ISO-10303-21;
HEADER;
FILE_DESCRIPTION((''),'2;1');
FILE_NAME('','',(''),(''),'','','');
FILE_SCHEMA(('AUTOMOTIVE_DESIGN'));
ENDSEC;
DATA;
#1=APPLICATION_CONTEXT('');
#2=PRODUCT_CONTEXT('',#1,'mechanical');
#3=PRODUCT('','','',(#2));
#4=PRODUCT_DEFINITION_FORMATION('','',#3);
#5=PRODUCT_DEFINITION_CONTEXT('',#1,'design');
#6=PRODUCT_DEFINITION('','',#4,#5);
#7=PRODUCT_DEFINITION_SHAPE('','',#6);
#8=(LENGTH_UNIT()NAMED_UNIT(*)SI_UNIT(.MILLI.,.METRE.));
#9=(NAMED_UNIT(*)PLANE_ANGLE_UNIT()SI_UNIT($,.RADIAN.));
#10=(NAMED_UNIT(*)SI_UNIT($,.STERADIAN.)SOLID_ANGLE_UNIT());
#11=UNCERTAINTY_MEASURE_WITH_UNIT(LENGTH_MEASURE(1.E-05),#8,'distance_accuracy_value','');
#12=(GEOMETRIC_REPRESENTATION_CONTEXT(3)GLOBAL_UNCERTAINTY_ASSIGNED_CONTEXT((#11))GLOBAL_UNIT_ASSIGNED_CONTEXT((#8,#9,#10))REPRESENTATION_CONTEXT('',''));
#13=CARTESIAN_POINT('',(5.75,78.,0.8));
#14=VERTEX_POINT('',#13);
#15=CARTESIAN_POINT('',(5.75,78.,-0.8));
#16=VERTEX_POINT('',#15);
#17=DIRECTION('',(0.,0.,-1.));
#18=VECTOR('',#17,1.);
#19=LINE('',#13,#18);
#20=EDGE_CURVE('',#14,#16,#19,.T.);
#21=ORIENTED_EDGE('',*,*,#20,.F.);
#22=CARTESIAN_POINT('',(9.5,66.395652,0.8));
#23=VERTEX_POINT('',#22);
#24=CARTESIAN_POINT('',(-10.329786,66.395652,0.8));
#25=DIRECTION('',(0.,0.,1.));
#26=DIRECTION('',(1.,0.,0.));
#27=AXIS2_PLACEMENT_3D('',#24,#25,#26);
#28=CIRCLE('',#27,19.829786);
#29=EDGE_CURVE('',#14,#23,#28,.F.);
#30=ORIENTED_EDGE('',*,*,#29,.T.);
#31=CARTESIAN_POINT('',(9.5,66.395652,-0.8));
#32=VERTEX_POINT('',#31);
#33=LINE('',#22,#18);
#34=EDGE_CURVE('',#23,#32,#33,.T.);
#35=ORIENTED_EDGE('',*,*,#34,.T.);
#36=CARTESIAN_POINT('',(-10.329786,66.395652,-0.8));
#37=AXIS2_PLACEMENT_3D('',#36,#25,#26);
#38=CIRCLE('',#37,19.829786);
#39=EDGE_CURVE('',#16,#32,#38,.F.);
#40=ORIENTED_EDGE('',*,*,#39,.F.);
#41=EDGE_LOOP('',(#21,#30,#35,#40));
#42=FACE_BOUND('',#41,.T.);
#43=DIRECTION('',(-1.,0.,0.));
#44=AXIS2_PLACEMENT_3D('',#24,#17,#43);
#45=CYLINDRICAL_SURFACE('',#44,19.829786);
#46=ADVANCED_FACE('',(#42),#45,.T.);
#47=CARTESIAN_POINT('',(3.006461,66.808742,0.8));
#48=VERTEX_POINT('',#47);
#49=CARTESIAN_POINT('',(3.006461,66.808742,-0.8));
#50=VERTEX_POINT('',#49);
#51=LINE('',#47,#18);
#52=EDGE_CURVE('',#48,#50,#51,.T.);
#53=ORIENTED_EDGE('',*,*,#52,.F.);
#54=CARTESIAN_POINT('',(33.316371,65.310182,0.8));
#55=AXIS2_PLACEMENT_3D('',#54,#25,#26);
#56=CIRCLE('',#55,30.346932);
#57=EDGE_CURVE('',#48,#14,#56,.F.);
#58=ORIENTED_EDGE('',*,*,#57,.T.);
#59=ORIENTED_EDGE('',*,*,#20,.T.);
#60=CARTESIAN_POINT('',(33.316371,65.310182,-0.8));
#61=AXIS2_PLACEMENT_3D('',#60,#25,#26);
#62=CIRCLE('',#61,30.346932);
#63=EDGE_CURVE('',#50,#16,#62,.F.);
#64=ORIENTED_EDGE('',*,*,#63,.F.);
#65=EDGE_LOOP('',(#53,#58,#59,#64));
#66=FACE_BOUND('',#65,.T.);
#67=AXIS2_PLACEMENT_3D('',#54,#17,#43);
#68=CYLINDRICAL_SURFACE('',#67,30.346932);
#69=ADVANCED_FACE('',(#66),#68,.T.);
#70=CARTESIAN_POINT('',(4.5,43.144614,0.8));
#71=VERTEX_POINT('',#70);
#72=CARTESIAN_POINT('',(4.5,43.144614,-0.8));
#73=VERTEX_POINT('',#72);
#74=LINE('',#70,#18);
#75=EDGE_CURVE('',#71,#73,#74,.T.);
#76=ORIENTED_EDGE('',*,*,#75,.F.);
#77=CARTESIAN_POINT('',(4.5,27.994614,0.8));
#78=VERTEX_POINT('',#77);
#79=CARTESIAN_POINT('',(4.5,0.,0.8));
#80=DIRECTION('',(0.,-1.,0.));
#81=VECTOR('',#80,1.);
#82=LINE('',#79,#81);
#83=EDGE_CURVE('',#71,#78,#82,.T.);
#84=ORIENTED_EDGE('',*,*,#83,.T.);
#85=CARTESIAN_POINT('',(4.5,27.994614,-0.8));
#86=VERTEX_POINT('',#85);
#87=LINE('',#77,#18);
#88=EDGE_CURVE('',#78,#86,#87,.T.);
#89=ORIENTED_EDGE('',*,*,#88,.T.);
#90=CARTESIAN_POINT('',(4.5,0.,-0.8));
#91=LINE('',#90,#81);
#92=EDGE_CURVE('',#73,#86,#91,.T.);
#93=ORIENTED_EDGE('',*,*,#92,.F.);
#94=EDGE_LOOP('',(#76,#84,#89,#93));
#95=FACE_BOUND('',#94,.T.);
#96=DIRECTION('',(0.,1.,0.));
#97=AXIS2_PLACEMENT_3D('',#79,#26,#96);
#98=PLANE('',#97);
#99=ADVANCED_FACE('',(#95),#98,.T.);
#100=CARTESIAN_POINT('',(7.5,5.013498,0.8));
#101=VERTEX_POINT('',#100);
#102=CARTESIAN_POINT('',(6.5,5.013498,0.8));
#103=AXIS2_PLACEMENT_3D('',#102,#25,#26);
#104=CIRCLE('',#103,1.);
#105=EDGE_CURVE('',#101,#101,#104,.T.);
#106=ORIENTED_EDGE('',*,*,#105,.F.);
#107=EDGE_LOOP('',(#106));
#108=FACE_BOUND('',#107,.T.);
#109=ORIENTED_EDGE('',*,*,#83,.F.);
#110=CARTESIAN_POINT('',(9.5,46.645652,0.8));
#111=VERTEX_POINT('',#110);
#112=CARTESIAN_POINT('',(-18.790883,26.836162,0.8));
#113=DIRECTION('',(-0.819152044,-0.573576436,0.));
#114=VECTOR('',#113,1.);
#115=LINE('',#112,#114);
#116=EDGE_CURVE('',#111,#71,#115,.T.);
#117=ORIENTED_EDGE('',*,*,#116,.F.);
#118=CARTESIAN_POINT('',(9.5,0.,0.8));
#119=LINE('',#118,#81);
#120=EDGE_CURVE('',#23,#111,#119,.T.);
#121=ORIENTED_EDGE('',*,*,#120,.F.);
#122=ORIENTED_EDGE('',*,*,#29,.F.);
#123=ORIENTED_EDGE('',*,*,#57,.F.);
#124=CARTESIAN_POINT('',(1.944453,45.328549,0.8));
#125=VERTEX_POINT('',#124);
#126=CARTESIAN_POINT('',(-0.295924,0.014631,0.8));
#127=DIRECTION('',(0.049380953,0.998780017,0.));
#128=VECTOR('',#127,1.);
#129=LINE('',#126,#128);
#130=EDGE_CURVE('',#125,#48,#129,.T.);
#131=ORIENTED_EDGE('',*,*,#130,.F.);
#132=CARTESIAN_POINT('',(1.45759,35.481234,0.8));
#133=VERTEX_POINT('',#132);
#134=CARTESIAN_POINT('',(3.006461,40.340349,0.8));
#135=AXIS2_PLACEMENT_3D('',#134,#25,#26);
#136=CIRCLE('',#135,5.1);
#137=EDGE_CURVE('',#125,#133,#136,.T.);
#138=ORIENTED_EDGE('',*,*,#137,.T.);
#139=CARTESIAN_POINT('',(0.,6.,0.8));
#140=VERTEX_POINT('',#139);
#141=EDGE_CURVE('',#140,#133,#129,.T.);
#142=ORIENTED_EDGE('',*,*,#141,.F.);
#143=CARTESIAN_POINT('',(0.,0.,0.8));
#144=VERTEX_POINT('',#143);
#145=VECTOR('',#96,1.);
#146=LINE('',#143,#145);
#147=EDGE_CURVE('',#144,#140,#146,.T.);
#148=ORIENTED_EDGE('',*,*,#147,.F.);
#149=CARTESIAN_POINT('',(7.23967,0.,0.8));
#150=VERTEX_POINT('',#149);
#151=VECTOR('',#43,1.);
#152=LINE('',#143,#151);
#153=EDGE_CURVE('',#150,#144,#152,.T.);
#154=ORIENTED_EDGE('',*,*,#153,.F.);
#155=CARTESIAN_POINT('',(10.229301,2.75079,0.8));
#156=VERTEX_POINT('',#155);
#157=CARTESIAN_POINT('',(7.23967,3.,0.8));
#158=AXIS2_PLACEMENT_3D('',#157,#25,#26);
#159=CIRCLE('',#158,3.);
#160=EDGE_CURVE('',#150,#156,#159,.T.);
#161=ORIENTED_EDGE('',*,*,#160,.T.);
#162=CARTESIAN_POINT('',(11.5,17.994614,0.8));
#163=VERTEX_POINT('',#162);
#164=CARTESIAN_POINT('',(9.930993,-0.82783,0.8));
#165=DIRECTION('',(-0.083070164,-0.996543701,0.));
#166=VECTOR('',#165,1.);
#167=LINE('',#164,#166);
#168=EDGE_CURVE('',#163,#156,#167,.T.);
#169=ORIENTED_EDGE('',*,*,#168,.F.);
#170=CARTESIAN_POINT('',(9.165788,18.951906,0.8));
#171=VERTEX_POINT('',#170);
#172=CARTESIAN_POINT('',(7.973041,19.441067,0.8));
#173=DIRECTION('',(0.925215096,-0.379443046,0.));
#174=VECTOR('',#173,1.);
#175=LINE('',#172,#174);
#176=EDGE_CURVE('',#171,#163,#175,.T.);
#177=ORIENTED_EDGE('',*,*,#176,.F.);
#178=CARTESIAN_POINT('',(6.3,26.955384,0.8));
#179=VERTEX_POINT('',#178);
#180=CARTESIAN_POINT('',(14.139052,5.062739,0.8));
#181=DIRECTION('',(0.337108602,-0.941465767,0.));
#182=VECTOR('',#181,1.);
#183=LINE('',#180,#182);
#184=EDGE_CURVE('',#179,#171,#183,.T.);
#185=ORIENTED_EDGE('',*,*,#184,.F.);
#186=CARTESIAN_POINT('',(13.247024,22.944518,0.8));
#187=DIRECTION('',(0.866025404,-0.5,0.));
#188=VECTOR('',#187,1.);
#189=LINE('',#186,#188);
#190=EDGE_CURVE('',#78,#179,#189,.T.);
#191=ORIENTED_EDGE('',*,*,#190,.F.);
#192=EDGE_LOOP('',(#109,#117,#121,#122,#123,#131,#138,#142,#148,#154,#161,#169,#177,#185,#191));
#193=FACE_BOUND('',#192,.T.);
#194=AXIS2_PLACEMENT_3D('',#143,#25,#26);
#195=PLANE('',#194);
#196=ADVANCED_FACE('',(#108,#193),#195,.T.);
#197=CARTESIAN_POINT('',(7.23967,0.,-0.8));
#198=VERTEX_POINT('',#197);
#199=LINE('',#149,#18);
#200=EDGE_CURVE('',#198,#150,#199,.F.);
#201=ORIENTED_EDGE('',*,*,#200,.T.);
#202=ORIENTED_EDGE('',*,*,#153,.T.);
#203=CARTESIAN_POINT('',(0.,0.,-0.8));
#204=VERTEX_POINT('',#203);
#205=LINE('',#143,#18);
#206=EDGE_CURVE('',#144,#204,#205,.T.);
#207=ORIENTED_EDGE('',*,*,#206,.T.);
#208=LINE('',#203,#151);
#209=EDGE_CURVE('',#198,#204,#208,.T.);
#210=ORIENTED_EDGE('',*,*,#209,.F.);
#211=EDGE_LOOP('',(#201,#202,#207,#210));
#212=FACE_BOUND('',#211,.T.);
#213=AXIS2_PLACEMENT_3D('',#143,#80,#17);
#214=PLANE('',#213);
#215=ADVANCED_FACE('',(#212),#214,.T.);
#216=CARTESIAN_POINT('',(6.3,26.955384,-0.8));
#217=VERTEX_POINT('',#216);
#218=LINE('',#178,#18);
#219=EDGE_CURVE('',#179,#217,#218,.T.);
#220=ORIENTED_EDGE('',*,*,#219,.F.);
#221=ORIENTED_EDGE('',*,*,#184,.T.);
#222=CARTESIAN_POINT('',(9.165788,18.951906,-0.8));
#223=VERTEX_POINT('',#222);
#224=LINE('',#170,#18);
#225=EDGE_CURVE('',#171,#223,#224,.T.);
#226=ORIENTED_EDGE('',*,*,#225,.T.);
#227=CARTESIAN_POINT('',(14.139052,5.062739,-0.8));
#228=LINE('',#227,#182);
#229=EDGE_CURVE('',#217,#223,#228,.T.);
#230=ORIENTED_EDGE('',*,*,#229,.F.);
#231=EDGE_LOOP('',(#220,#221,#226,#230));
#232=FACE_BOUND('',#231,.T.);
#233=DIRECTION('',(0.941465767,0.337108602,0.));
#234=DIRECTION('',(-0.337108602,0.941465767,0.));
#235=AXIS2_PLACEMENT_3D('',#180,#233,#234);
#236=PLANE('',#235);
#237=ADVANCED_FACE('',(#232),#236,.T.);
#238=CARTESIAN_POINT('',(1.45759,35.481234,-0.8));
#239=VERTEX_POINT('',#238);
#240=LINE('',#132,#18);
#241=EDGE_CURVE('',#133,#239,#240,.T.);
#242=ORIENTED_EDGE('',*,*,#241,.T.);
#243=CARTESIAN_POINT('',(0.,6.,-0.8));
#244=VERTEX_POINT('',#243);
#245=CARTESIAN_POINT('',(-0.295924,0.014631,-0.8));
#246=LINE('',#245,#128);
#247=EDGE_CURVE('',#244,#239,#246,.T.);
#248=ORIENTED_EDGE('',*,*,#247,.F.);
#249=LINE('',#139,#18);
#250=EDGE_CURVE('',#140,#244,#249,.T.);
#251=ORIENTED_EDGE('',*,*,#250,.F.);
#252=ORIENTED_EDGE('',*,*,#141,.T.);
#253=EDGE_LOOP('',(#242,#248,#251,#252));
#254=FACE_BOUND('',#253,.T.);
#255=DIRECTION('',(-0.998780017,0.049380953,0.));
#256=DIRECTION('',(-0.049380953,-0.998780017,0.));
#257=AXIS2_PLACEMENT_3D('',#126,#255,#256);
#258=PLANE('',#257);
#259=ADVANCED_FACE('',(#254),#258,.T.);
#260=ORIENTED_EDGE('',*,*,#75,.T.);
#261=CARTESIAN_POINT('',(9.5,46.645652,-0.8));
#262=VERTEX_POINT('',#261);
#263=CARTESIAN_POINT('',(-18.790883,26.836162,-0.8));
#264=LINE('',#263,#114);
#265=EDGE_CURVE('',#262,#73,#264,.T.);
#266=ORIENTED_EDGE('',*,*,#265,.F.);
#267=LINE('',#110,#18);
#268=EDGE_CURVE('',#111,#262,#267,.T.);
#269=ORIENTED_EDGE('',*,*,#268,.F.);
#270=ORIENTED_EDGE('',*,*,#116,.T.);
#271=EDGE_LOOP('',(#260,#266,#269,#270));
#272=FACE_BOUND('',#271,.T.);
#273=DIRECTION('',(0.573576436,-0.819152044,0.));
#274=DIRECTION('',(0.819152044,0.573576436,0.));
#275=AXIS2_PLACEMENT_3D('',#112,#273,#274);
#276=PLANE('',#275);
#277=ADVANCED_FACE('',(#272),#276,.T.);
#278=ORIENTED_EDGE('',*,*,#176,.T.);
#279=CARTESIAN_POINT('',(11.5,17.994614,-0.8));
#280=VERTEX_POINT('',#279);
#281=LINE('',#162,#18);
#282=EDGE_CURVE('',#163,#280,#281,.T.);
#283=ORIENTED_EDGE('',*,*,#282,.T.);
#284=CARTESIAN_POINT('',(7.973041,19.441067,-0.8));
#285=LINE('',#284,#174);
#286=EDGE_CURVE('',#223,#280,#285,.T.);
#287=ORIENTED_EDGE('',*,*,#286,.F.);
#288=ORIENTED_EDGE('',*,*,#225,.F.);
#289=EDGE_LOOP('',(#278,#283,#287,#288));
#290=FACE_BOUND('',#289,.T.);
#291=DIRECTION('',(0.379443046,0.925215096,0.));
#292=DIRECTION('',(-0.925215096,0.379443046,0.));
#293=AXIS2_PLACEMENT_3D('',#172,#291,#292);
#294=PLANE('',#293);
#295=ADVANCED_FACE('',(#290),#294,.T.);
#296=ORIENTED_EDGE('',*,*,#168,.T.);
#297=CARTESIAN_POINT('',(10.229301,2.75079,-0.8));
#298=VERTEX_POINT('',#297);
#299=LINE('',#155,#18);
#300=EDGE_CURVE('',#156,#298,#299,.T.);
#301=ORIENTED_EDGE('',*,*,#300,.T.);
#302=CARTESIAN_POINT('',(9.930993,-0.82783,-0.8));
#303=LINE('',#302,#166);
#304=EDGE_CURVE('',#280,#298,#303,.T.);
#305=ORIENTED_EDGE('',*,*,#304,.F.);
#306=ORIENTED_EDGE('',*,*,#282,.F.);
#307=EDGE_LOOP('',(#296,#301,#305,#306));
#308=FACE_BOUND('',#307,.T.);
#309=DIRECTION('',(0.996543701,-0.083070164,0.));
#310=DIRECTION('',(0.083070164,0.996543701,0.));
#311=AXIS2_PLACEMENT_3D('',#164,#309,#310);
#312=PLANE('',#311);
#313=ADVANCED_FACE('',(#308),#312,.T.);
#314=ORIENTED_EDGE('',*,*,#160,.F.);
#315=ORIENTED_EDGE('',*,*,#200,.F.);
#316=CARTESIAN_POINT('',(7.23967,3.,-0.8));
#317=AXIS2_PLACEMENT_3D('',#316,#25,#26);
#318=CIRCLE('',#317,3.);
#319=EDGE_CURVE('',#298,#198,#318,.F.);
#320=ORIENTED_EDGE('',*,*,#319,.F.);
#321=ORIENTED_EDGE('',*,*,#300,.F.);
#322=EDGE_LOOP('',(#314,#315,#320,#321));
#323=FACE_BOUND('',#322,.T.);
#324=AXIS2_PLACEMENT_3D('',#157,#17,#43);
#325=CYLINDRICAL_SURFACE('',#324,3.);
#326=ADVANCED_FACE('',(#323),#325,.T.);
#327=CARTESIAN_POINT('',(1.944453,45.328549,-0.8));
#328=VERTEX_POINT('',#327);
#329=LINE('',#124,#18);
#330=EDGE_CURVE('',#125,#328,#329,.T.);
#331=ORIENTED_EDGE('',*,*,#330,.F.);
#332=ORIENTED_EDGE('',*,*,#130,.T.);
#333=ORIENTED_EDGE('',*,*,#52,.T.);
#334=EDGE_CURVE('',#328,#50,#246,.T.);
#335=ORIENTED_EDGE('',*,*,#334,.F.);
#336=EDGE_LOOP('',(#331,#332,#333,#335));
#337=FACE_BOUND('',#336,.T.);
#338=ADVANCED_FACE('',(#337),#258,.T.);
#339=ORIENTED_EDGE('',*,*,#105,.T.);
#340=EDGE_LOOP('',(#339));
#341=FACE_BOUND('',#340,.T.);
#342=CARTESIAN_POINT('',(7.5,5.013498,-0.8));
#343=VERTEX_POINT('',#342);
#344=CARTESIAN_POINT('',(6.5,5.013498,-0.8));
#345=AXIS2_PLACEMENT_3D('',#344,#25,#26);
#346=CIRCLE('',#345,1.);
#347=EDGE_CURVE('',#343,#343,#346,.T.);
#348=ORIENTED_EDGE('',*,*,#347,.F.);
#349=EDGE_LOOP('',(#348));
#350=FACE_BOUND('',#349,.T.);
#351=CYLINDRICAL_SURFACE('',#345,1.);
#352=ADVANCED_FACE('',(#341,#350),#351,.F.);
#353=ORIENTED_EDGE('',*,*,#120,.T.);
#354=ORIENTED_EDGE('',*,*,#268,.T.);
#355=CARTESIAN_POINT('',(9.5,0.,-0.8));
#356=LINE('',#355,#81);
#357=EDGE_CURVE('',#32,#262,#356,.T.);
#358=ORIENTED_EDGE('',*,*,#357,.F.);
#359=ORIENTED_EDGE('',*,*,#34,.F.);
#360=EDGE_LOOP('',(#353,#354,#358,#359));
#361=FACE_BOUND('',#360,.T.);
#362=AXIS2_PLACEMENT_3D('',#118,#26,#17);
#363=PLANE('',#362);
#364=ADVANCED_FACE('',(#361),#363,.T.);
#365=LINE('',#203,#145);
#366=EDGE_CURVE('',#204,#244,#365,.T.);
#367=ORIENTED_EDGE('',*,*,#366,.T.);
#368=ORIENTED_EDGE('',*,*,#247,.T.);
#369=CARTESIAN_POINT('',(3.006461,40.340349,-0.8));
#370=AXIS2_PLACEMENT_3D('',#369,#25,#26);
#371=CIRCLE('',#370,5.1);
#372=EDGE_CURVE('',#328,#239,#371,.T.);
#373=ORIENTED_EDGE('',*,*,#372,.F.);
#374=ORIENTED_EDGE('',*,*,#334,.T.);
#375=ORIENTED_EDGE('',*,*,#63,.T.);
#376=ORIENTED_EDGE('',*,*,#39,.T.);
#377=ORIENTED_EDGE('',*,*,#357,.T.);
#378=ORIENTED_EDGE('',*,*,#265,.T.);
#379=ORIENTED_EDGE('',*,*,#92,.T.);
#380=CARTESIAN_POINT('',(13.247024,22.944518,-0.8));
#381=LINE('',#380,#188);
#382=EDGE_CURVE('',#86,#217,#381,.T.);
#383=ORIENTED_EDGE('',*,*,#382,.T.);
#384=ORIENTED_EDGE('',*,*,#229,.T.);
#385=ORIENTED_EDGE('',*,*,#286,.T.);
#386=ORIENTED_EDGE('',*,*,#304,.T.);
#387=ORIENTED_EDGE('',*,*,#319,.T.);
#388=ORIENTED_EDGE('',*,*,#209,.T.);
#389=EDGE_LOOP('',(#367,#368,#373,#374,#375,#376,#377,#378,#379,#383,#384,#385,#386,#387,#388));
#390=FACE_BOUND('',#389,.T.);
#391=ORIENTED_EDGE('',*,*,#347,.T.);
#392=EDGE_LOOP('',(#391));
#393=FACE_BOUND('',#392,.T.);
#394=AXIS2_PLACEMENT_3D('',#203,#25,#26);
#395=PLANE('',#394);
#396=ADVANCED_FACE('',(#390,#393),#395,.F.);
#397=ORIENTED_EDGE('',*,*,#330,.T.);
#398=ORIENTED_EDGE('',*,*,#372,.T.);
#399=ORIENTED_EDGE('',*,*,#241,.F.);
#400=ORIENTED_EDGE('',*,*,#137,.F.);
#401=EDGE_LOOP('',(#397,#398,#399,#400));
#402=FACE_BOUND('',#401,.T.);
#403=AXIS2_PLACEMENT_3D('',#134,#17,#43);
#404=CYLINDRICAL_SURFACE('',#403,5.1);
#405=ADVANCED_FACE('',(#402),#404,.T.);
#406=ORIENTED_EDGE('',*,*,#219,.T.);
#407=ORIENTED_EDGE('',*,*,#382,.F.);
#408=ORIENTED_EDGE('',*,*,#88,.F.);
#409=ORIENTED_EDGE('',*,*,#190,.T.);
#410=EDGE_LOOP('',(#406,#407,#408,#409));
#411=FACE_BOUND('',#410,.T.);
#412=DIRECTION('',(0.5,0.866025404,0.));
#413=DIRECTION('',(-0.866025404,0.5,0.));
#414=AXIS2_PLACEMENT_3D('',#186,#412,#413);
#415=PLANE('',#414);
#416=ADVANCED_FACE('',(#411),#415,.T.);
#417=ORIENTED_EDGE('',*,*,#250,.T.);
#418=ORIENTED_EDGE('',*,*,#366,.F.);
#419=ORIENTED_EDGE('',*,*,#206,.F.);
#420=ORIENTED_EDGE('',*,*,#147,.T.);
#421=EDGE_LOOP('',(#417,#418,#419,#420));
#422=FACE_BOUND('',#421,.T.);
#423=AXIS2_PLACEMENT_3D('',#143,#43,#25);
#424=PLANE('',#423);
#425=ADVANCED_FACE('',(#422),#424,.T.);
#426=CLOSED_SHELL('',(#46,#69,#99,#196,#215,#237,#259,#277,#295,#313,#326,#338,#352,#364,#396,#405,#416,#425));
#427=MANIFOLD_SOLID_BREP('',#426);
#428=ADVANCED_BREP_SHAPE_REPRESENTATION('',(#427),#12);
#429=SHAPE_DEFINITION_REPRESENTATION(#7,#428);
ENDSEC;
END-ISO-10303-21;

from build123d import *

# Parameters (mm, degrees)
BOSS_EXTRUDE3_DEPTH = 0.8
FILLET2_R           = 3
SKETCH2_R           = 1
CUT_EXTRUDE1_DEPTH  = 79.859431903


with BuildPart() as part:
    # Sketch1 → Boss-Extrude3 (new, symmetric)
    with BuildSketch(Plane.XY):
        with BuildLine():
            ThreePointArc((5.75, 78), (8.53922468, 72.493261963), (9.5, 66.395651864))
            Line((9.5, 66.395651864), (9.5, 46.645651864))
            Line((9.5, 46.645651864), (4.5, 43.144614173))
            Line((4.5, 43.144614173), (4.5, 27.994614173))
            Line((4.5, 27.994614173), (6.3, 26.955383689))
            Line((6.3, 26.955383689), (9.165788003, 18.951905633))
            Line((9.165788003, 18.951905633), (11.5, 17.994614173))
            Line((11.5, 17.994614173), (10, 0))
            Line((10, 0), (0, 0))
            Line((0, 0), (0, 6))
            Line((0, 6), (3.006461475, 66.80874217))
            ThreePointArc((3.006461475, 66.80874217), (3.842195438, 72.535780218), (5.75, 78))
        make_face()
        with BuildLine():
            ThreePointArc((1.944453421, 45.328548769), (-2.087316609, 40.592191664), (1.45758967, 35.481234056))
            Line((1.45758967, 35.481234056), (1.944453421, 45.328548769))
        make_face()
    extrude(amount=BOSS_EXTRUDE3_DEPTH, both=True)

    # Fillet2
    fillet2_edges = [part.edges().sort_by_distance(p)[0] for p in [
        (10, 0, 0),
    ]]
    fillet(fillet2_edges, radius=FILLET2_R)

    # Sketch2 → Cut-Extrude1 (cut, through all)
    with BuildSketch(Plane.XY.offset(0.8)):
        with Locations((6.5, 5.01349848)):
            Circle(SKETCH2_R)
    extrude(amount=-CUT_EXTRUDE1_DEPTH, mode=Mode.SUBTRACT)


solid = part.part
